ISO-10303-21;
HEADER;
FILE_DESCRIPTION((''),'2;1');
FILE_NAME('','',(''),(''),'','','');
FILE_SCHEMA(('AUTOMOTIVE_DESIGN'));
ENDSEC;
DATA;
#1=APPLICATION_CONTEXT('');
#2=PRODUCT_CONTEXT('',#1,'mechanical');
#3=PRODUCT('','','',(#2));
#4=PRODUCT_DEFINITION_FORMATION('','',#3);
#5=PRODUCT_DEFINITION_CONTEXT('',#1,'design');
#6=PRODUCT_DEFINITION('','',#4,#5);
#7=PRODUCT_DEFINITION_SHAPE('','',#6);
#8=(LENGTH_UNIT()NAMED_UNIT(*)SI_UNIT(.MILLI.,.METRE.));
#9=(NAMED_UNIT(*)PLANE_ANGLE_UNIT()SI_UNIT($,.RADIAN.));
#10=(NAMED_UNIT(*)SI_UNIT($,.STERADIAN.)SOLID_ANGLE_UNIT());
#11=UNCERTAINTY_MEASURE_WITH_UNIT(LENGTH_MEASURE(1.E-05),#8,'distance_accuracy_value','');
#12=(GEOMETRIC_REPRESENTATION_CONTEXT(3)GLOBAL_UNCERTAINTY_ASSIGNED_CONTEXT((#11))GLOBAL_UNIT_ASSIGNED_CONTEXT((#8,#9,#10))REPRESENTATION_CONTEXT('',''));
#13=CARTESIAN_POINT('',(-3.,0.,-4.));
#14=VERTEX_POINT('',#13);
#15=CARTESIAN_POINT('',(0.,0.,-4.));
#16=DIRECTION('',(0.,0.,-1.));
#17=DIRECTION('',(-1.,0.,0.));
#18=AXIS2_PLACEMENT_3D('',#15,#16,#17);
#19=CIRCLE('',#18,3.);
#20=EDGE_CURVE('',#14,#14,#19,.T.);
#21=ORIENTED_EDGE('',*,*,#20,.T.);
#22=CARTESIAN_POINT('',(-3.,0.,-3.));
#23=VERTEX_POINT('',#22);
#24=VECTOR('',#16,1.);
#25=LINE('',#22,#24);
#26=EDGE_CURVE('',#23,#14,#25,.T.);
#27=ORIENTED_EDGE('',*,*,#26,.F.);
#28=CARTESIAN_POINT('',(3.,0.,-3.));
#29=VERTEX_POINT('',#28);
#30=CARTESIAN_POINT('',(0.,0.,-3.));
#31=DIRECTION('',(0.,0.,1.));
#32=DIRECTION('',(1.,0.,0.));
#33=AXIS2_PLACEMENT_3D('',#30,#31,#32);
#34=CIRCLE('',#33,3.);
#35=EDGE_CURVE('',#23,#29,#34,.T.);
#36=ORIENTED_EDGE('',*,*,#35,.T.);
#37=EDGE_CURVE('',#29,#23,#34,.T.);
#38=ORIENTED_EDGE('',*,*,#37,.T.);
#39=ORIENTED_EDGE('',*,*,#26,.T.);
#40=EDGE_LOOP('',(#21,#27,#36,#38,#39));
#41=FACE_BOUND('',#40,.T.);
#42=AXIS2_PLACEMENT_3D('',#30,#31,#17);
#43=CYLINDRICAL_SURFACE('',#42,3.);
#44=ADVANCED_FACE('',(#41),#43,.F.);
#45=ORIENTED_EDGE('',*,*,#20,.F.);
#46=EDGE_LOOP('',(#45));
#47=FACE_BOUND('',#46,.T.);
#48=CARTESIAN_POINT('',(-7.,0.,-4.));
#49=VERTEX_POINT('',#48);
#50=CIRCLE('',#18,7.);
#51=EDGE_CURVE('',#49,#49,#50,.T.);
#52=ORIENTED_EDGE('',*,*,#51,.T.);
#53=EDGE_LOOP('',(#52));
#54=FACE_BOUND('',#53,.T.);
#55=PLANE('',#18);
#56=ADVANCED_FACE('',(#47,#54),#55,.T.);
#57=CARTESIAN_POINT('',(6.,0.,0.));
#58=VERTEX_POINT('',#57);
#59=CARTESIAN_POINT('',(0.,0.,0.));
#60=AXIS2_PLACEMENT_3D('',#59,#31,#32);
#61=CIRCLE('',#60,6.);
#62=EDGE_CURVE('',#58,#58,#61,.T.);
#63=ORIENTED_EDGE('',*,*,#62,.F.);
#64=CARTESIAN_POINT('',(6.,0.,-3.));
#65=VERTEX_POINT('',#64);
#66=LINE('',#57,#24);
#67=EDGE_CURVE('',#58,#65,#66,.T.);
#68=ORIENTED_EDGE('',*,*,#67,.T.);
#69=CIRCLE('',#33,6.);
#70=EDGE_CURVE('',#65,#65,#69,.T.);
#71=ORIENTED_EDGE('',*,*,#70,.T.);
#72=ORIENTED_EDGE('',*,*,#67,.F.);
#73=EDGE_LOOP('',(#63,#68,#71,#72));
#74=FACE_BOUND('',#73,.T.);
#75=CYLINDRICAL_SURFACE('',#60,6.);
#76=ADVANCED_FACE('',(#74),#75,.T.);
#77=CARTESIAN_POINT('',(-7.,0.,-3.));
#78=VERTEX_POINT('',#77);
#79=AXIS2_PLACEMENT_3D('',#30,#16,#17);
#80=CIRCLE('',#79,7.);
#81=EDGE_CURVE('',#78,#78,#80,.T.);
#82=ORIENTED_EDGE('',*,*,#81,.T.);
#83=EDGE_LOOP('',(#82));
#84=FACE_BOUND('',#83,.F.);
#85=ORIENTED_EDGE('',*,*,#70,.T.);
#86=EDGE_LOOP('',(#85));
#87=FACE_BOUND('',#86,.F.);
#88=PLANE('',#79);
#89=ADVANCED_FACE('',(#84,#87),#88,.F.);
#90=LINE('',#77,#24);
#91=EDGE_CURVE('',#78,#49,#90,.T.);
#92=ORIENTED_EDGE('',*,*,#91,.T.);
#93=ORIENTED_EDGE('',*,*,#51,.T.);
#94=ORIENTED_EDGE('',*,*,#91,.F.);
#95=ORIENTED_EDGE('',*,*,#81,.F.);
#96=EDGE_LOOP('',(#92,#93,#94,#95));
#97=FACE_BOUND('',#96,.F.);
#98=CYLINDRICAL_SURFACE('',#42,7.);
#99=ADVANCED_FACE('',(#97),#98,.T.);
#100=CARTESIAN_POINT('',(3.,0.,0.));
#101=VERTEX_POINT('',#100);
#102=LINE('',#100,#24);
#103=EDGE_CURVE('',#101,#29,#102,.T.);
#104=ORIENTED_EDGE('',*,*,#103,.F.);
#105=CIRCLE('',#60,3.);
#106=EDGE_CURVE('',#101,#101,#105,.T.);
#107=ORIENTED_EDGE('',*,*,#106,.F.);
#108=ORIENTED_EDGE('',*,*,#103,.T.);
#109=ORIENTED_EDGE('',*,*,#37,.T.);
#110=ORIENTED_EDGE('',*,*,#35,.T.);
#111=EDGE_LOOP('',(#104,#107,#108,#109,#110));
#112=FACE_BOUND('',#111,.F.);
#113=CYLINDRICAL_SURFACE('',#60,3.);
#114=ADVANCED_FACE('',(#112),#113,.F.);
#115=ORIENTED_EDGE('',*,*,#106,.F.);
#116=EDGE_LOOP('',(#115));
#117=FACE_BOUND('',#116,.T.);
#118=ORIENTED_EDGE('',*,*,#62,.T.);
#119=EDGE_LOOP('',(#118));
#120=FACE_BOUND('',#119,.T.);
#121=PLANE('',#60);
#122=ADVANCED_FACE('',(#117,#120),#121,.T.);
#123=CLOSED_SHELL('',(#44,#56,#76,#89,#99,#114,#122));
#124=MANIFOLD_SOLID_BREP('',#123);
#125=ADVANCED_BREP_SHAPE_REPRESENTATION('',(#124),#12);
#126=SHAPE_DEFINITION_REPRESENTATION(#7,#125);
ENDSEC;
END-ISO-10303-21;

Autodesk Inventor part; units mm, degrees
ref_plane "YZ Plane" through (0, 0, 0) normal (1, 0, 0) x (0, 1, 0)
ref_plane "XZ Plane" through (0, 0, 0) normal (0, 1, 0) x (-1, 0, 0)
ref_plane "XY Plane" through (0, 0, 0) normal (0, 0, 1) x (1, 0, 0)
sketch "Sketch1" plane through (0, 0, 0) normal (0, 0, 1) x (1, 0, 0)
  circle A0 centre (0, 0) radius 3
  circle A1 centre (0, 0) radius 6
  dimension "d0" = 6
  dimension "d1" = 12
extrude "Extrusion1" add sketch "Sketch1" against normal blind 3
sketch "Sketch2" plane through (0, 0, -3) normal (0, 0, -1) x (-1, 0, 0)
  circle A0 centre (0, 0) radius 7
  circle A1 centre (0, 0) radius 3 projected
  dimension "d4" = 14
extrude "Extrusion2" add sketch "Sketch2" along normal blind 1
properties part number "Φ6-12a" material "Steel AISI 1006 85 HR"
